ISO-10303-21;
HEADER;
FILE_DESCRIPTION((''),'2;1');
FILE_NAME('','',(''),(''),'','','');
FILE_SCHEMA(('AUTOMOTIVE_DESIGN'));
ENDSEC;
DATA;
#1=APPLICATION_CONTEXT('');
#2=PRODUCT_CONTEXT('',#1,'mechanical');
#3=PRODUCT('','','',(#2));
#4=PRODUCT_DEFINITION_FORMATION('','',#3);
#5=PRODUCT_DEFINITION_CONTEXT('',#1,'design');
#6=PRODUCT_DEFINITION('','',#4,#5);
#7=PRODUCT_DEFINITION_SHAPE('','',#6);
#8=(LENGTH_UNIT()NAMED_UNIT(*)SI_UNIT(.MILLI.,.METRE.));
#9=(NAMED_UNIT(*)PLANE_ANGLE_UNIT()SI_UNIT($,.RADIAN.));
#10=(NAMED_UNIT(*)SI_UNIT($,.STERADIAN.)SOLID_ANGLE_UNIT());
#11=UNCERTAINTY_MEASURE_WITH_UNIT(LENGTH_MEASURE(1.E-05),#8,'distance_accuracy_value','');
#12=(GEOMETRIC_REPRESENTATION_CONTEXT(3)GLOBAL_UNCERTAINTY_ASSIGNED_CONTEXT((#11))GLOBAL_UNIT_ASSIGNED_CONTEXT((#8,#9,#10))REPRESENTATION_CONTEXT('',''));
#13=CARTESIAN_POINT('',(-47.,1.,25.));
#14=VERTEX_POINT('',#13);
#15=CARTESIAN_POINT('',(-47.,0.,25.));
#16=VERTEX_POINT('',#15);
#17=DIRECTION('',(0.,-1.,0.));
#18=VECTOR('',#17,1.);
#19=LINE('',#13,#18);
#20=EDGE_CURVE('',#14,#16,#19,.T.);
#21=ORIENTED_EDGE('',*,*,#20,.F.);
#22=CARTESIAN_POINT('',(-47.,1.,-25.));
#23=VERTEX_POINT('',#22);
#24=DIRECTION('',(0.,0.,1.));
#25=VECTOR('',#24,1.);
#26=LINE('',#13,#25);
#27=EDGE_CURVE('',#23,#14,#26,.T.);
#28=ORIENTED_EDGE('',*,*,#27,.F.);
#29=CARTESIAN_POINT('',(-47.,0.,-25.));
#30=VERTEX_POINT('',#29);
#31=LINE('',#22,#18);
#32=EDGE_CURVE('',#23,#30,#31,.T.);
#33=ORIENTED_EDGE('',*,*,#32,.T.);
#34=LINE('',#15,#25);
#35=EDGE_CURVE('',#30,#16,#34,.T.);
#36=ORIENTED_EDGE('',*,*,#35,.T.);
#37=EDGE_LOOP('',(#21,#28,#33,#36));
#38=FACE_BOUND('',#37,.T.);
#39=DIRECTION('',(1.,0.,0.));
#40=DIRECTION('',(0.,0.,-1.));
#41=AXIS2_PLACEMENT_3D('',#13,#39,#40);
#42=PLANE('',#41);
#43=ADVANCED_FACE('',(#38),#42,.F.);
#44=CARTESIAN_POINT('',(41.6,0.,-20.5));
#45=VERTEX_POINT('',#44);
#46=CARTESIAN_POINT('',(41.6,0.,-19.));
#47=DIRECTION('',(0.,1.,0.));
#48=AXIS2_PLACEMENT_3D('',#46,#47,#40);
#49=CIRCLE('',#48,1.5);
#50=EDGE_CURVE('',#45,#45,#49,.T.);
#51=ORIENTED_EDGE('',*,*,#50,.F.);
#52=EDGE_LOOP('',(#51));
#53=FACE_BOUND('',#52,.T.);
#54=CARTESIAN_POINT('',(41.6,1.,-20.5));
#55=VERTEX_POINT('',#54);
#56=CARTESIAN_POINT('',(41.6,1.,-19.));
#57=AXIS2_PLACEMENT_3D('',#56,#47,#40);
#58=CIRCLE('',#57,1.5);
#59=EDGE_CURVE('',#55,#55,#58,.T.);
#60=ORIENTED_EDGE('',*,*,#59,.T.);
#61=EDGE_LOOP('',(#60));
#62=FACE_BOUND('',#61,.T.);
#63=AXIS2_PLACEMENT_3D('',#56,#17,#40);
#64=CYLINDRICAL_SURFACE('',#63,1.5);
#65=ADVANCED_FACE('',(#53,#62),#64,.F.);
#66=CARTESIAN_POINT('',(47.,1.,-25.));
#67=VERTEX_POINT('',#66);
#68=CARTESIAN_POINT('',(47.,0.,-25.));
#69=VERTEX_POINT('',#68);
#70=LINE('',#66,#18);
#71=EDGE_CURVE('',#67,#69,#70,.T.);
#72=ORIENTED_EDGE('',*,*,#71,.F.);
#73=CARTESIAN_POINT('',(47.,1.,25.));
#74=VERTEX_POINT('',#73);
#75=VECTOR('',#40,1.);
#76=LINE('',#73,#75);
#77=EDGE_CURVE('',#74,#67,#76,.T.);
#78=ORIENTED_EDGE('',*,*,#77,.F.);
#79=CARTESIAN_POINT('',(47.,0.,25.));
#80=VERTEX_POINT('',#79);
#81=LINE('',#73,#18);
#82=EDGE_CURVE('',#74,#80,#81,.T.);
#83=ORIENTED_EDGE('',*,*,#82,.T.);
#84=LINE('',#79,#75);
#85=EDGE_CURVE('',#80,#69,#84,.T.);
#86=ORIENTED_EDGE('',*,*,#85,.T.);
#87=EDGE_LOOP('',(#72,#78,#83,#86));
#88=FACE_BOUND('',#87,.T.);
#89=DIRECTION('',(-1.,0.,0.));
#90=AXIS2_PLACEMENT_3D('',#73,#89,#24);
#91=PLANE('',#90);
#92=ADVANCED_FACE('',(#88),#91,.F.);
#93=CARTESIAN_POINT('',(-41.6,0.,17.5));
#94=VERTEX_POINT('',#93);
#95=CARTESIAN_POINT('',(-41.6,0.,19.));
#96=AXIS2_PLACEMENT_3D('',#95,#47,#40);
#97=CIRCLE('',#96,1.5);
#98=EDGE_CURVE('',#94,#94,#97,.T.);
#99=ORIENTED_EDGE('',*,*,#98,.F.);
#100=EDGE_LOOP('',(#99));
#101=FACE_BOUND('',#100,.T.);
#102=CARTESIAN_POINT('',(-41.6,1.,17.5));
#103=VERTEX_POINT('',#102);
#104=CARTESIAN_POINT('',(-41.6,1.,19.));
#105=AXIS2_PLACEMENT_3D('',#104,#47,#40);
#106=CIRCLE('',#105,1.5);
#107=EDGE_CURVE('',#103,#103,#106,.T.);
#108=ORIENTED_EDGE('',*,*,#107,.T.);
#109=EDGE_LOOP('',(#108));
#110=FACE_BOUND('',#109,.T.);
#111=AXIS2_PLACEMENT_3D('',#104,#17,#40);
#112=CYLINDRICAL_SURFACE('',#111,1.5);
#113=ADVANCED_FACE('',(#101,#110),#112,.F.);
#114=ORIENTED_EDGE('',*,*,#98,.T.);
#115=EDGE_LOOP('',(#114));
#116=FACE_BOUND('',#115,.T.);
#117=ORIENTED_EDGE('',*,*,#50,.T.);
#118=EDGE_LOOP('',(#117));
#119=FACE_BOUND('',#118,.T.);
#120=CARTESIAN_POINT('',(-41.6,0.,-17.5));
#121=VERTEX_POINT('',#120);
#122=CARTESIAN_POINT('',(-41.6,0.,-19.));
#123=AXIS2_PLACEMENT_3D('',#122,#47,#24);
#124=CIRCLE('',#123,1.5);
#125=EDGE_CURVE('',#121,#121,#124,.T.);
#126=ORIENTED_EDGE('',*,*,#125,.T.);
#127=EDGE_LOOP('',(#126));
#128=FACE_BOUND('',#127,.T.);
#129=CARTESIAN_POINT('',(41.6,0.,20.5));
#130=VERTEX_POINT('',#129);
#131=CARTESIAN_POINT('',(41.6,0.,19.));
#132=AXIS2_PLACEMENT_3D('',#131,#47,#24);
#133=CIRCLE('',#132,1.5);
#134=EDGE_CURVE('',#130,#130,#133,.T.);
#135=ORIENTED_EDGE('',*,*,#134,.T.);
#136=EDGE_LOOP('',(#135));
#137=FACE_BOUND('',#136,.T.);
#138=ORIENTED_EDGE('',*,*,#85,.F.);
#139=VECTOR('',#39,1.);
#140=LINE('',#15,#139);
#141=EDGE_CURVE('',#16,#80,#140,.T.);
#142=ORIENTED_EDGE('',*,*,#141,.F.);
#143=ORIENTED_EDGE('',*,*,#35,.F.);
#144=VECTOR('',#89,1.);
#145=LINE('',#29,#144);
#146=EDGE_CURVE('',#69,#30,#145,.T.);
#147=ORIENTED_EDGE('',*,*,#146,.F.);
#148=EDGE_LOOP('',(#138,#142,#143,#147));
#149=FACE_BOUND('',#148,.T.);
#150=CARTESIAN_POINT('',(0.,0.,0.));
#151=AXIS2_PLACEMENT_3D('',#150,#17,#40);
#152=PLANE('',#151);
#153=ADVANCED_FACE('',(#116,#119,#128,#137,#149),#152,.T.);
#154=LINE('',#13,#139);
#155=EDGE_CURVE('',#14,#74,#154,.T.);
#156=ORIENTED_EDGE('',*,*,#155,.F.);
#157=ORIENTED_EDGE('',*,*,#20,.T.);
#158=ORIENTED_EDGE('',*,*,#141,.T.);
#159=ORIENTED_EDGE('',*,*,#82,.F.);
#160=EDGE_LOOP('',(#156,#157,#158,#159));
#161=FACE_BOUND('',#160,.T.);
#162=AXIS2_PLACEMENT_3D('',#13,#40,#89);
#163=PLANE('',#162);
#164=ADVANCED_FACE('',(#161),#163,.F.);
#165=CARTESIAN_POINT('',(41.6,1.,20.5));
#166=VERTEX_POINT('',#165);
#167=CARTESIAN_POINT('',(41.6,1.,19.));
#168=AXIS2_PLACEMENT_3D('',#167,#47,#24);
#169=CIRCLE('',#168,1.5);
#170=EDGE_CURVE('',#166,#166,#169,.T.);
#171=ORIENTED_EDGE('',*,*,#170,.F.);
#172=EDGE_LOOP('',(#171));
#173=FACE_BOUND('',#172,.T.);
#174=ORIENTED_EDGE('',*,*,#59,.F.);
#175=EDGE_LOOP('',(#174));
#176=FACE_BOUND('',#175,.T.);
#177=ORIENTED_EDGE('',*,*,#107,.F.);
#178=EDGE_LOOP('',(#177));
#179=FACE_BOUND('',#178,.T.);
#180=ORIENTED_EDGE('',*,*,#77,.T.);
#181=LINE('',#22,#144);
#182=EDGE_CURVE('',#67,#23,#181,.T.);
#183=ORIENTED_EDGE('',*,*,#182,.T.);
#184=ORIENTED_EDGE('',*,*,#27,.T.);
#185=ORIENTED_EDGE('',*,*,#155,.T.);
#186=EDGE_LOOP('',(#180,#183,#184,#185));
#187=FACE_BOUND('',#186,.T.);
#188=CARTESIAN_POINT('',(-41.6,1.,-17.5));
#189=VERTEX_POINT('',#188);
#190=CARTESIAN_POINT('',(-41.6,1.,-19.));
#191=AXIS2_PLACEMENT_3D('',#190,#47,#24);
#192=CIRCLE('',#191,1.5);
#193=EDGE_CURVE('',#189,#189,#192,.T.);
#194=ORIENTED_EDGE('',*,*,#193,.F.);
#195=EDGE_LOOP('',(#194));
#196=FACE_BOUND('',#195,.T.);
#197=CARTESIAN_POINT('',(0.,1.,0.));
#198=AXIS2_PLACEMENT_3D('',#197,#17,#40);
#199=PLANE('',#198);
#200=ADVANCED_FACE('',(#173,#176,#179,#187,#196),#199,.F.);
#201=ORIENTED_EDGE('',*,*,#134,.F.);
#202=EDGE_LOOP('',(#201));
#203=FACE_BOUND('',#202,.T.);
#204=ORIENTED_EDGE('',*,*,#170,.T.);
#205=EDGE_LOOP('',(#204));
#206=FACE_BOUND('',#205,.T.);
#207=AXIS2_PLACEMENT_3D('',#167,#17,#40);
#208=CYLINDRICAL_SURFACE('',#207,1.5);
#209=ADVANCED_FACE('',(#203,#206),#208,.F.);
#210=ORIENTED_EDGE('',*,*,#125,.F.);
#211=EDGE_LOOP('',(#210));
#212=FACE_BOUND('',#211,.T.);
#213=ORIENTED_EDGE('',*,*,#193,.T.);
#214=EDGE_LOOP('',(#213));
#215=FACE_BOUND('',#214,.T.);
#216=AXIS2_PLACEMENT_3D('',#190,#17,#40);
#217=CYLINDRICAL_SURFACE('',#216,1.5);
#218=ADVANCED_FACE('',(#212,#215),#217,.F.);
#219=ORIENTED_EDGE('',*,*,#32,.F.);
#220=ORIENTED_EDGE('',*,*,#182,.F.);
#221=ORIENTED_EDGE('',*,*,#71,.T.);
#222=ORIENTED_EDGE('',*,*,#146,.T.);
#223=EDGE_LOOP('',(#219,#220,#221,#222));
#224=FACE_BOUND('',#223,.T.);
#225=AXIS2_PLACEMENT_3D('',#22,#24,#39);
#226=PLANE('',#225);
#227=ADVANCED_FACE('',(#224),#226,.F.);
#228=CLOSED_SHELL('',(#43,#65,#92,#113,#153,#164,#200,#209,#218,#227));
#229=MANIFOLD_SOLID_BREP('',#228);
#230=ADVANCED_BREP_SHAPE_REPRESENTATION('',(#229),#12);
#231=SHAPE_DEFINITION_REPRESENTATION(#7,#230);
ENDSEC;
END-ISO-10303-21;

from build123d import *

# Parameters (mm, degrees)
ESQUISSE1_W        = 94
ESQUISSE1_H        = 50
ESQUISSE1_R        = 1.5
BOSS_EXTRU_1_DEPTH = 1


with BuildPart() as part:
    # Esquisse1 → Boss.-Extru.1 (new body)
    with BuildSketch(Plane(origin=(0, 0, 0), x_dir=(1, 0, 0), z_dir=(0, 1, 0))):
        Rectangle(ESQUISSE1_W, ESQUISSE1_H)
        with Locations(Location((-41.6, 19, 0), (0, 0, 270))):
            Circle(ESQUISSE1_R, mode=Mode.SUBTRACT)
        with Locations(Location((41.6, 19, 0), (0, 0, 90))):
            Circle(ESQUISSE1_R, mode=Mode.SUBTRACT)
        with Locations(Location((41.6, -19, 0), (0, 0, 270))):
            Circle(ESQUISSE1_R, mode=Mode.SUBTRACT)
        with Locations(Location((-41.6, -19, 0), (0, 0, 90))):
            Circle(ESQUISSE1_R, mode=Mode.SUBTRACT)
    extrude(amount=BOSS_EXTRU_1_DEPTH)


solid = part.part
